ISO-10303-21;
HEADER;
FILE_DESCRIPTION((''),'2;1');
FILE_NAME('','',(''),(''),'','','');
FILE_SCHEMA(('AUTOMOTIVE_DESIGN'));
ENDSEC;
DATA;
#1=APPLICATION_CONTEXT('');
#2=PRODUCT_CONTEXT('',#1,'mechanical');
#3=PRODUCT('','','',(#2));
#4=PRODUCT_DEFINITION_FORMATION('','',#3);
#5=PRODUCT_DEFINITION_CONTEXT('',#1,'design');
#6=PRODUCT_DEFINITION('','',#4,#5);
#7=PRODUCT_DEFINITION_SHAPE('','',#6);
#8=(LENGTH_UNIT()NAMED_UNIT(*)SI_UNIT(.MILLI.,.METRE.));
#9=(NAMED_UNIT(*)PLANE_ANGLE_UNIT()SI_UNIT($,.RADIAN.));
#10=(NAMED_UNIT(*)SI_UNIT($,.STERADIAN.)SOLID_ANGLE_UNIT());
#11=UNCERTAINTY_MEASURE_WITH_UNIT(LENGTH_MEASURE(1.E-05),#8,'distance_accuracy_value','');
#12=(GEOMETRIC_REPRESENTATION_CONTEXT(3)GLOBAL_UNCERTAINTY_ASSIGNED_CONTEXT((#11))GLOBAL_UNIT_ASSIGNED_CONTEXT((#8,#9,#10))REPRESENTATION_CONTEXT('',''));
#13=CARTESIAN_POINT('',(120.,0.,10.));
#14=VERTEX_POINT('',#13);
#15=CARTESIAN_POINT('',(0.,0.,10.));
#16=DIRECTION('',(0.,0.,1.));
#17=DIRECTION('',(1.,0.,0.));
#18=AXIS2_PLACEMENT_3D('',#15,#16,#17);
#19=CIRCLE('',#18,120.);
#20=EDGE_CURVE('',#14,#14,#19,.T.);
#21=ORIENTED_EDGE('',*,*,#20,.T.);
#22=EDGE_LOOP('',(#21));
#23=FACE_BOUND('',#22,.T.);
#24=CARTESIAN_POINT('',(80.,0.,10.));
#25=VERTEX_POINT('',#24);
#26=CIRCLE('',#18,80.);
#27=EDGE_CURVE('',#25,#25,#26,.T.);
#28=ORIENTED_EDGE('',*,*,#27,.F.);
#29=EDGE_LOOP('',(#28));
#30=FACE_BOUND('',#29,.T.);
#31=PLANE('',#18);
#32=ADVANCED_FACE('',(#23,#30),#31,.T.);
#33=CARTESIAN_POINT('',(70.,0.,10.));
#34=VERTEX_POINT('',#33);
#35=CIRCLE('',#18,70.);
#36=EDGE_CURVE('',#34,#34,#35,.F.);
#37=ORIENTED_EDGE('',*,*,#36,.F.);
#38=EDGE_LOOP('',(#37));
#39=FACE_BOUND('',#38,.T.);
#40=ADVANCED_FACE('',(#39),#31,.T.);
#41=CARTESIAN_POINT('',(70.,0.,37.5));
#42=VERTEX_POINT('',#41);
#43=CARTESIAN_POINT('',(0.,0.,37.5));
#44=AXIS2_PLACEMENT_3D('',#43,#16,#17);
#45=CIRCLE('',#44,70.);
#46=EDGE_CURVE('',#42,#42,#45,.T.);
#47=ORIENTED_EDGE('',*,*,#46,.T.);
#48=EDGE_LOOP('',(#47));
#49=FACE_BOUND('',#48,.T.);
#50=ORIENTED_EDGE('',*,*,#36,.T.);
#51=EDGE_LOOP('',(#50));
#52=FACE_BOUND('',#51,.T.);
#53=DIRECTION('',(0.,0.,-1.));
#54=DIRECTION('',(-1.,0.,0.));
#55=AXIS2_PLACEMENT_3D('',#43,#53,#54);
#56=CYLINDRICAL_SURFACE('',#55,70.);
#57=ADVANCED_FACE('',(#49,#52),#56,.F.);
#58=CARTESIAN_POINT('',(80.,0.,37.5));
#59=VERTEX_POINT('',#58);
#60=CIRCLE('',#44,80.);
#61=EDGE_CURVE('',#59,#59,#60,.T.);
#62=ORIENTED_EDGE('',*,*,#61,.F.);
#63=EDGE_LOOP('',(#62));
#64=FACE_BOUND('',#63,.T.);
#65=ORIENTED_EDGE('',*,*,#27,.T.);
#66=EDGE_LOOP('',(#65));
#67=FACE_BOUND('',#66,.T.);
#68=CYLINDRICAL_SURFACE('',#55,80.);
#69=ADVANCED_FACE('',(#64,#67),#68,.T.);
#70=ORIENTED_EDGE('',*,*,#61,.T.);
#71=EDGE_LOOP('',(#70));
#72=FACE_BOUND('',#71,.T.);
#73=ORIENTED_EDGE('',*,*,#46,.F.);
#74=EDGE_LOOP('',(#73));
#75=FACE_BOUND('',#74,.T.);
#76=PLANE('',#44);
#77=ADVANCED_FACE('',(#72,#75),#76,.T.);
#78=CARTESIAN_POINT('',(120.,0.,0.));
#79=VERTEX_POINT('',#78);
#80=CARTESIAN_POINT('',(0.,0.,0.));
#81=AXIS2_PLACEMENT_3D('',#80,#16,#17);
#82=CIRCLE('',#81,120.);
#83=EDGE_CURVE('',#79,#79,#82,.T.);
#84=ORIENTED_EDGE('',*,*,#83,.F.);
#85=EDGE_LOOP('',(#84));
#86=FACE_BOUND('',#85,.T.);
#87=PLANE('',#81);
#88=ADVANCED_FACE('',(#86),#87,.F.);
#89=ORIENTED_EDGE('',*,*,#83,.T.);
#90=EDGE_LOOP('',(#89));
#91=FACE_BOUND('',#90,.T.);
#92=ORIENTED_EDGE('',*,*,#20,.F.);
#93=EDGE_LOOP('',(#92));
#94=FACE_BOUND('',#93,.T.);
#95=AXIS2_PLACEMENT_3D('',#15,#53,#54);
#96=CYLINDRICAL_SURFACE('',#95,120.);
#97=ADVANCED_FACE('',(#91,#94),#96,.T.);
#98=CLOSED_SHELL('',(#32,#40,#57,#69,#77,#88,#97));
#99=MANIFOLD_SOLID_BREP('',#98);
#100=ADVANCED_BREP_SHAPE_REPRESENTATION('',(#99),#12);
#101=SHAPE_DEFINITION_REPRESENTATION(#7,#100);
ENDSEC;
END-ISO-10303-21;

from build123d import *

# Parameters (mm, degrees)
SKETCH_1_R      = 120
EXTRUDE_1_DEPTH = 10
SKETCH_2_R      = 80
SKETCH_2_R_2    = 70
EXTRUDE_2_DEPTH = 27.5


with BuildPart() as part:
    # 草图1 → 拉伸1 (new body)
    with BuildSketch(Plane.XY):
        Circle(SKETCH_1_R)
    extrude(amount=EXTRUDE_1_DEPTH)

    # 草图2 → 拉伸2 (add)
    with BuildSketch(Plane.XY.offset(10)):
        Circle(SKETCH_2_R)
        Circle(SKETCH_2_R_2, mode=Mode.SUBTRACT)
    extrude(amount=EXTRUDE_2_DEPTH)


solid = part.part
